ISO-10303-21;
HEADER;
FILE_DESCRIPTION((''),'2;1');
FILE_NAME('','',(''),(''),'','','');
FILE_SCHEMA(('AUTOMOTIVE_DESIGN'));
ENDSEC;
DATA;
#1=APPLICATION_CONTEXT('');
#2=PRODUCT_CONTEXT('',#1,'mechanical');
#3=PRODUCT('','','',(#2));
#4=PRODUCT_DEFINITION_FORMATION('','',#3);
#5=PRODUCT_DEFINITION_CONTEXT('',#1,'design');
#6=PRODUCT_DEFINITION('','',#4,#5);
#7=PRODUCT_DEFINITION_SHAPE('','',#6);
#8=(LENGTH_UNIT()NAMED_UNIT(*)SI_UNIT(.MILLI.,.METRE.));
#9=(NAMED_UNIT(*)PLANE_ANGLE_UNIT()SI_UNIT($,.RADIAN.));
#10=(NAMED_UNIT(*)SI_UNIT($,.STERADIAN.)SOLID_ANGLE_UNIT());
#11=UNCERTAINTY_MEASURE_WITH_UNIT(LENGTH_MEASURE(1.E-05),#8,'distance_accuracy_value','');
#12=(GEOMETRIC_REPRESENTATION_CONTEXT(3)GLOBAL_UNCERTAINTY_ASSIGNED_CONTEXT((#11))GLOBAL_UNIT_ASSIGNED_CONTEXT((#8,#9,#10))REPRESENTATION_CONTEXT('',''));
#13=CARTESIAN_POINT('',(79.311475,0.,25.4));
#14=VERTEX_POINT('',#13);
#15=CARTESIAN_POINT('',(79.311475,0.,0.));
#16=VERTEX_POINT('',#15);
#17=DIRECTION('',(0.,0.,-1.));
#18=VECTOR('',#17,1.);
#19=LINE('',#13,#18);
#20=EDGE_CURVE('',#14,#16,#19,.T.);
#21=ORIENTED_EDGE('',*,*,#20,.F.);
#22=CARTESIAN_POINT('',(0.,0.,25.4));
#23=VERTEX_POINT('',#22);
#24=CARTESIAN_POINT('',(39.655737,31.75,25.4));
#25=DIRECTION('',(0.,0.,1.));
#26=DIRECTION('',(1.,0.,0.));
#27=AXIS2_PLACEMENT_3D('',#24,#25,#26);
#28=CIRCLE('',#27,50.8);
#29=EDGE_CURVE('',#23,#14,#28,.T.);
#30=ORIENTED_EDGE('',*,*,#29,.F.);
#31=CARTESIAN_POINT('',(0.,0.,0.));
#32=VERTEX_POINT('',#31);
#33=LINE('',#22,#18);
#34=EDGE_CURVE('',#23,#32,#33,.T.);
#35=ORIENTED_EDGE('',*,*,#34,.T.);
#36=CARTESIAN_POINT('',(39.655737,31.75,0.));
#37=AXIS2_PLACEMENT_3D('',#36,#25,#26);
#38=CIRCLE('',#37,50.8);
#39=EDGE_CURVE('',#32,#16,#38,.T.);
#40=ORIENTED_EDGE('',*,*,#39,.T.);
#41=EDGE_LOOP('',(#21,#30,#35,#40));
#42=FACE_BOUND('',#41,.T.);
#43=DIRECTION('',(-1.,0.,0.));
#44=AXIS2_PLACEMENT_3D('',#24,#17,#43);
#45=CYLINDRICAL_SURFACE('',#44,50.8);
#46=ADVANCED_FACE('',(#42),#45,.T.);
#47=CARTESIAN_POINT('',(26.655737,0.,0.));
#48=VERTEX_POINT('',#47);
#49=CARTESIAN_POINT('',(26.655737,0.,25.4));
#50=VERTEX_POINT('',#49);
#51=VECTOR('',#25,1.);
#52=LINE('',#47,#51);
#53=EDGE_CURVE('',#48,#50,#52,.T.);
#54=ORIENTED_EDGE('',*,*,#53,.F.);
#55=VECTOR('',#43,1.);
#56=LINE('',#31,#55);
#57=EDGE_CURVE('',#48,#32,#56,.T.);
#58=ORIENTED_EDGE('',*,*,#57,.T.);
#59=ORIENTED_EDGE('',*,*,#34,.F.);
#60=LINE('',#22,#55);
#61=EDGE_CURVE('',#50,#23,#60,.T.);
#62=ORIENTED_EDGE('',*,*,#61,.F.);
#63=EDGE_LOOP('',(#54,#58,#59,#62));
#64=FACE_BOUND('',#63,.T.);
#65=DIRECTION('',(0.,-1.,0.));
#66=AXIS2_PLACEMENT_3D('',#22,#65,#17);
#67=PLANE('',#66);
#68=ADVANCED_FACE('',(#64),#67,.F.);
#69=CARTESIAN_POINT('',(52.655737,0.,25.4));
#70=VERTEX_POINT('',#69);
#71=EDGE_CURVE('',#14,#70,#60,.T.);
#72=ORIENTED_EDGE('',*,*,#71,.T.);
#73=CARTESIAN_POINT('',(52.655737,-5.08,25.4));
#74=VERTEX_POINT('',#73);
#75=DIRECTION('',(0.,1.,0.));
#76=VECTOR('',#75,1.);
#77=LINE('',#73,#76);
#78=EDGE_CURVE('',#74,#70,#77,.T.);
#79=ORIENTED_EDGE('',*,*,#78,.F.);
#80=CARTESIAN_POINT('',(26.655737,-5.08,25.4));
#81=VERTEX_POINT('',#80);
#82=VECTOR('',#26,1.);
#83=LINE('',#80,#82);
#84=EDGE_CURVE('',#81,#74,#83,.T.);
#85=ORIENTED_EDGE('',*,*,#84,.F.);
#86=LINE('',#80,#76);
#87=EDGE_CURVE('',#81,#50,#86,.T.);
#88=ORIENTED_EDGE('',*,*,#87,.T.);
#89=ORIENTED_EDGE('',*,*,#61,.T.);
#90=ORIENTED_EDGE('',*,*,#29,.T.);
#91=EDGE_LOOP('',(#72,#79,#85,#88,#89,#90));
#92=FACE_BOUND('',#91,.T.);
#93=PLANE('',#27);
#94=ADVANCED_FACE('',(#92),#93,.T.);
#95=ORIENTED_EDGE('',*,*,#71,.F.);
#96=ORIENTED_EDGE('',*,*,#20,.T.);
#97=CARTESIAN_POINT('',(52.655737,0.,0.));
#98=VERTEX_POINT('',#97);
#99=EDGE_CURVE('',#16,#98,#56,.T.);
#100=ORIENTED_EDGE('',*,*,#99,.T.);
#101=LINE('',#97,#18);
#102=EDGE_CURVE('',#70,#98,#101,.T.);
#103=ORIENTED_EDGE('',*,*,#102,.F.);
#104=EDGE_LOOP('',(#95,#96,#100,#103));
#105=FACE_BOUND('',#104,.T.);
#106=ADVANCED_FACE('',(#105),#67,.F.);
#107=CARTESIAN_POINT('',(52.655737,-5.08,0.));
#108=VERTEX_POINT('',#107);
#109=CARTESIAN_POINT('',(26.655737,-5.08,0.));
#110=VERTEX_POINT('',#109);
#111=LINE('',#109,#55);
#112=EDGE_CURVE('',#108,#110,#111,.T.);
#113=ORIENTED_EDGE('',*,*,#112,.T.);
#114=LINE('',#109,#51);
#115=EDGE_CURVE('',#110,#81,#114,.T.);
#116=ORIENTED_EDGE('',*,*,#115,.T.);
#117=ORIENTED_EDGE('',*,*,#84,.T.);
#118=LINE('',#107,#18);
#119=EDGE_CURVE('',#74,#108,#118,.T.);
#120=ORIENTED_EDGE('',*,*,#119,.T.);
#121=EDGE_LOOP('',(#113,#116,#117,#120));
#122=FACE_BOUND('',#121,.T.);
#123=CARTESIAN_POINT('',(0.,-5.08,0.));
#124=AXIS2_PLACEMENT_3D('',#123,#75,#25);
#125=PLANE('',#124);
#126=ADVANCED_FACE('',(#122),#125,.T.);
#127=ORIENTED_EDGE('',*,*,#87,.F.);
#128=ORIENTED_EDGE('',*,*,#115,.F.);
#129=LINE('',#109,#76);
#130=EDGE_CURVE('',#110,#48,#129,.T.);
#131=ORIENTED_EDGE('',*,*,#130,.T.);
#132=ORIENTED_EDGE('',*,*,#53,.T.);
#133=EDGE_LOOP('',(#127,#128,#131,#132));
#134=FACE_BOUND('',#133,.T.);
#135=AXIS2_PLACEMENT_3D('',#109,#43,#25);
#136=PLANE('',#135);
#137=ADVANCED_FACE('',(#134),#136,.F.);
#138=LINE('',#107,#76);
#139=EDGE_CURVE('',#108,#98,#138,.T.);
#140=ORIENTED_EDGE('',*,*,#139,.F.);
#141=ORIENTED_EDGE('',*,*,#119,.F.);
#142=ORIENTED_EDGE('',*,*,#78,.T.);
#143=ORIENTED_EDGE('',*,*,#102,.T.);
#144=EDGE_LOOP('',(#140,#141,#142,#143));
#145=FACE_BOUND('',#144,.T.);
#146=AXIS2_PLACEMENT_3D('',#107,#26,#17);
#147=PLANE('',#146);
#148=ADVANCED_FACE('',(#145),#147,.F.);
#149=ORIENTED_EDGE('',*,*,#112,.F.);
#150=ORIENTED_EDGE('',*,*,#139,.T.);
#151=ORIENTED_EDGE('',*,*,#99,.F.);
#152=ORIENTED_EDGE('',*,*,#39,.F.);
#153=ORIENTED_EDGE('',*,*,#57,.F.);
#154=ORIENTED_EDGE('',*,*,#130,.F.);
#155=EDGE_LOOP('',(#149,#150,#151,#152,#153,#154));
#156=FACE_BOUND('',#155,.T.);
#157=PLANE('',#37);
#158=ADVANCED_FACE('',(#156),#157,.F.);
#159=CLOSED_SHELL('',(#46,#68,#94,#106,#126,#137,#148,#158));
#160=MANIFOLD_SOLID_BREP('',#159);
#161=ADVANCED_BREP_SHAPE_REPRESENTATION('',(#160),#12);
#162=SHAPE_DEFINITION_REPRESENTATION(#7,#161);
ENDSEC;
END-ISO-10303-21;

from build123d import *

# Parameters (mm, degrees)
BOSS_EXTRUDE1_DEPTH = 25.4
SKETCH4_W           = 26
SKETCH4_H           = 25.4
CUT_EXTRUDE3_DEPTH  = 5.08


with BuildPart() as part:
    # Sketch1 → Boss-Extrude1 (new body)
    with BuildSketch(Plane.XY):
        with BuildLine():
            Line((0, 0), (79.31147458, 0))
            ThreePointArc((79.31147458, 0), (39.65573729, -19.05), (0, 0))
        make_face()
    extrude(amount=BOSS_EXTRUDE1_DEPTH)

    # Sketch4 → Cut-Extrude3 (cut)
    with BuildSketch(Plane(origin=(0, 0, 0), x_dir=(1, 0, 0), z_dir=(0, 1, 0))):
        with Locations((39.65573729, -12.7)):
            Rectangle(SKETCH4_W, SKETCH4_H)
    extrude(amount=-CUT_EXTRUDE3_DEPTH, mode=Mode.SUBTRACT)


solid = part.part
